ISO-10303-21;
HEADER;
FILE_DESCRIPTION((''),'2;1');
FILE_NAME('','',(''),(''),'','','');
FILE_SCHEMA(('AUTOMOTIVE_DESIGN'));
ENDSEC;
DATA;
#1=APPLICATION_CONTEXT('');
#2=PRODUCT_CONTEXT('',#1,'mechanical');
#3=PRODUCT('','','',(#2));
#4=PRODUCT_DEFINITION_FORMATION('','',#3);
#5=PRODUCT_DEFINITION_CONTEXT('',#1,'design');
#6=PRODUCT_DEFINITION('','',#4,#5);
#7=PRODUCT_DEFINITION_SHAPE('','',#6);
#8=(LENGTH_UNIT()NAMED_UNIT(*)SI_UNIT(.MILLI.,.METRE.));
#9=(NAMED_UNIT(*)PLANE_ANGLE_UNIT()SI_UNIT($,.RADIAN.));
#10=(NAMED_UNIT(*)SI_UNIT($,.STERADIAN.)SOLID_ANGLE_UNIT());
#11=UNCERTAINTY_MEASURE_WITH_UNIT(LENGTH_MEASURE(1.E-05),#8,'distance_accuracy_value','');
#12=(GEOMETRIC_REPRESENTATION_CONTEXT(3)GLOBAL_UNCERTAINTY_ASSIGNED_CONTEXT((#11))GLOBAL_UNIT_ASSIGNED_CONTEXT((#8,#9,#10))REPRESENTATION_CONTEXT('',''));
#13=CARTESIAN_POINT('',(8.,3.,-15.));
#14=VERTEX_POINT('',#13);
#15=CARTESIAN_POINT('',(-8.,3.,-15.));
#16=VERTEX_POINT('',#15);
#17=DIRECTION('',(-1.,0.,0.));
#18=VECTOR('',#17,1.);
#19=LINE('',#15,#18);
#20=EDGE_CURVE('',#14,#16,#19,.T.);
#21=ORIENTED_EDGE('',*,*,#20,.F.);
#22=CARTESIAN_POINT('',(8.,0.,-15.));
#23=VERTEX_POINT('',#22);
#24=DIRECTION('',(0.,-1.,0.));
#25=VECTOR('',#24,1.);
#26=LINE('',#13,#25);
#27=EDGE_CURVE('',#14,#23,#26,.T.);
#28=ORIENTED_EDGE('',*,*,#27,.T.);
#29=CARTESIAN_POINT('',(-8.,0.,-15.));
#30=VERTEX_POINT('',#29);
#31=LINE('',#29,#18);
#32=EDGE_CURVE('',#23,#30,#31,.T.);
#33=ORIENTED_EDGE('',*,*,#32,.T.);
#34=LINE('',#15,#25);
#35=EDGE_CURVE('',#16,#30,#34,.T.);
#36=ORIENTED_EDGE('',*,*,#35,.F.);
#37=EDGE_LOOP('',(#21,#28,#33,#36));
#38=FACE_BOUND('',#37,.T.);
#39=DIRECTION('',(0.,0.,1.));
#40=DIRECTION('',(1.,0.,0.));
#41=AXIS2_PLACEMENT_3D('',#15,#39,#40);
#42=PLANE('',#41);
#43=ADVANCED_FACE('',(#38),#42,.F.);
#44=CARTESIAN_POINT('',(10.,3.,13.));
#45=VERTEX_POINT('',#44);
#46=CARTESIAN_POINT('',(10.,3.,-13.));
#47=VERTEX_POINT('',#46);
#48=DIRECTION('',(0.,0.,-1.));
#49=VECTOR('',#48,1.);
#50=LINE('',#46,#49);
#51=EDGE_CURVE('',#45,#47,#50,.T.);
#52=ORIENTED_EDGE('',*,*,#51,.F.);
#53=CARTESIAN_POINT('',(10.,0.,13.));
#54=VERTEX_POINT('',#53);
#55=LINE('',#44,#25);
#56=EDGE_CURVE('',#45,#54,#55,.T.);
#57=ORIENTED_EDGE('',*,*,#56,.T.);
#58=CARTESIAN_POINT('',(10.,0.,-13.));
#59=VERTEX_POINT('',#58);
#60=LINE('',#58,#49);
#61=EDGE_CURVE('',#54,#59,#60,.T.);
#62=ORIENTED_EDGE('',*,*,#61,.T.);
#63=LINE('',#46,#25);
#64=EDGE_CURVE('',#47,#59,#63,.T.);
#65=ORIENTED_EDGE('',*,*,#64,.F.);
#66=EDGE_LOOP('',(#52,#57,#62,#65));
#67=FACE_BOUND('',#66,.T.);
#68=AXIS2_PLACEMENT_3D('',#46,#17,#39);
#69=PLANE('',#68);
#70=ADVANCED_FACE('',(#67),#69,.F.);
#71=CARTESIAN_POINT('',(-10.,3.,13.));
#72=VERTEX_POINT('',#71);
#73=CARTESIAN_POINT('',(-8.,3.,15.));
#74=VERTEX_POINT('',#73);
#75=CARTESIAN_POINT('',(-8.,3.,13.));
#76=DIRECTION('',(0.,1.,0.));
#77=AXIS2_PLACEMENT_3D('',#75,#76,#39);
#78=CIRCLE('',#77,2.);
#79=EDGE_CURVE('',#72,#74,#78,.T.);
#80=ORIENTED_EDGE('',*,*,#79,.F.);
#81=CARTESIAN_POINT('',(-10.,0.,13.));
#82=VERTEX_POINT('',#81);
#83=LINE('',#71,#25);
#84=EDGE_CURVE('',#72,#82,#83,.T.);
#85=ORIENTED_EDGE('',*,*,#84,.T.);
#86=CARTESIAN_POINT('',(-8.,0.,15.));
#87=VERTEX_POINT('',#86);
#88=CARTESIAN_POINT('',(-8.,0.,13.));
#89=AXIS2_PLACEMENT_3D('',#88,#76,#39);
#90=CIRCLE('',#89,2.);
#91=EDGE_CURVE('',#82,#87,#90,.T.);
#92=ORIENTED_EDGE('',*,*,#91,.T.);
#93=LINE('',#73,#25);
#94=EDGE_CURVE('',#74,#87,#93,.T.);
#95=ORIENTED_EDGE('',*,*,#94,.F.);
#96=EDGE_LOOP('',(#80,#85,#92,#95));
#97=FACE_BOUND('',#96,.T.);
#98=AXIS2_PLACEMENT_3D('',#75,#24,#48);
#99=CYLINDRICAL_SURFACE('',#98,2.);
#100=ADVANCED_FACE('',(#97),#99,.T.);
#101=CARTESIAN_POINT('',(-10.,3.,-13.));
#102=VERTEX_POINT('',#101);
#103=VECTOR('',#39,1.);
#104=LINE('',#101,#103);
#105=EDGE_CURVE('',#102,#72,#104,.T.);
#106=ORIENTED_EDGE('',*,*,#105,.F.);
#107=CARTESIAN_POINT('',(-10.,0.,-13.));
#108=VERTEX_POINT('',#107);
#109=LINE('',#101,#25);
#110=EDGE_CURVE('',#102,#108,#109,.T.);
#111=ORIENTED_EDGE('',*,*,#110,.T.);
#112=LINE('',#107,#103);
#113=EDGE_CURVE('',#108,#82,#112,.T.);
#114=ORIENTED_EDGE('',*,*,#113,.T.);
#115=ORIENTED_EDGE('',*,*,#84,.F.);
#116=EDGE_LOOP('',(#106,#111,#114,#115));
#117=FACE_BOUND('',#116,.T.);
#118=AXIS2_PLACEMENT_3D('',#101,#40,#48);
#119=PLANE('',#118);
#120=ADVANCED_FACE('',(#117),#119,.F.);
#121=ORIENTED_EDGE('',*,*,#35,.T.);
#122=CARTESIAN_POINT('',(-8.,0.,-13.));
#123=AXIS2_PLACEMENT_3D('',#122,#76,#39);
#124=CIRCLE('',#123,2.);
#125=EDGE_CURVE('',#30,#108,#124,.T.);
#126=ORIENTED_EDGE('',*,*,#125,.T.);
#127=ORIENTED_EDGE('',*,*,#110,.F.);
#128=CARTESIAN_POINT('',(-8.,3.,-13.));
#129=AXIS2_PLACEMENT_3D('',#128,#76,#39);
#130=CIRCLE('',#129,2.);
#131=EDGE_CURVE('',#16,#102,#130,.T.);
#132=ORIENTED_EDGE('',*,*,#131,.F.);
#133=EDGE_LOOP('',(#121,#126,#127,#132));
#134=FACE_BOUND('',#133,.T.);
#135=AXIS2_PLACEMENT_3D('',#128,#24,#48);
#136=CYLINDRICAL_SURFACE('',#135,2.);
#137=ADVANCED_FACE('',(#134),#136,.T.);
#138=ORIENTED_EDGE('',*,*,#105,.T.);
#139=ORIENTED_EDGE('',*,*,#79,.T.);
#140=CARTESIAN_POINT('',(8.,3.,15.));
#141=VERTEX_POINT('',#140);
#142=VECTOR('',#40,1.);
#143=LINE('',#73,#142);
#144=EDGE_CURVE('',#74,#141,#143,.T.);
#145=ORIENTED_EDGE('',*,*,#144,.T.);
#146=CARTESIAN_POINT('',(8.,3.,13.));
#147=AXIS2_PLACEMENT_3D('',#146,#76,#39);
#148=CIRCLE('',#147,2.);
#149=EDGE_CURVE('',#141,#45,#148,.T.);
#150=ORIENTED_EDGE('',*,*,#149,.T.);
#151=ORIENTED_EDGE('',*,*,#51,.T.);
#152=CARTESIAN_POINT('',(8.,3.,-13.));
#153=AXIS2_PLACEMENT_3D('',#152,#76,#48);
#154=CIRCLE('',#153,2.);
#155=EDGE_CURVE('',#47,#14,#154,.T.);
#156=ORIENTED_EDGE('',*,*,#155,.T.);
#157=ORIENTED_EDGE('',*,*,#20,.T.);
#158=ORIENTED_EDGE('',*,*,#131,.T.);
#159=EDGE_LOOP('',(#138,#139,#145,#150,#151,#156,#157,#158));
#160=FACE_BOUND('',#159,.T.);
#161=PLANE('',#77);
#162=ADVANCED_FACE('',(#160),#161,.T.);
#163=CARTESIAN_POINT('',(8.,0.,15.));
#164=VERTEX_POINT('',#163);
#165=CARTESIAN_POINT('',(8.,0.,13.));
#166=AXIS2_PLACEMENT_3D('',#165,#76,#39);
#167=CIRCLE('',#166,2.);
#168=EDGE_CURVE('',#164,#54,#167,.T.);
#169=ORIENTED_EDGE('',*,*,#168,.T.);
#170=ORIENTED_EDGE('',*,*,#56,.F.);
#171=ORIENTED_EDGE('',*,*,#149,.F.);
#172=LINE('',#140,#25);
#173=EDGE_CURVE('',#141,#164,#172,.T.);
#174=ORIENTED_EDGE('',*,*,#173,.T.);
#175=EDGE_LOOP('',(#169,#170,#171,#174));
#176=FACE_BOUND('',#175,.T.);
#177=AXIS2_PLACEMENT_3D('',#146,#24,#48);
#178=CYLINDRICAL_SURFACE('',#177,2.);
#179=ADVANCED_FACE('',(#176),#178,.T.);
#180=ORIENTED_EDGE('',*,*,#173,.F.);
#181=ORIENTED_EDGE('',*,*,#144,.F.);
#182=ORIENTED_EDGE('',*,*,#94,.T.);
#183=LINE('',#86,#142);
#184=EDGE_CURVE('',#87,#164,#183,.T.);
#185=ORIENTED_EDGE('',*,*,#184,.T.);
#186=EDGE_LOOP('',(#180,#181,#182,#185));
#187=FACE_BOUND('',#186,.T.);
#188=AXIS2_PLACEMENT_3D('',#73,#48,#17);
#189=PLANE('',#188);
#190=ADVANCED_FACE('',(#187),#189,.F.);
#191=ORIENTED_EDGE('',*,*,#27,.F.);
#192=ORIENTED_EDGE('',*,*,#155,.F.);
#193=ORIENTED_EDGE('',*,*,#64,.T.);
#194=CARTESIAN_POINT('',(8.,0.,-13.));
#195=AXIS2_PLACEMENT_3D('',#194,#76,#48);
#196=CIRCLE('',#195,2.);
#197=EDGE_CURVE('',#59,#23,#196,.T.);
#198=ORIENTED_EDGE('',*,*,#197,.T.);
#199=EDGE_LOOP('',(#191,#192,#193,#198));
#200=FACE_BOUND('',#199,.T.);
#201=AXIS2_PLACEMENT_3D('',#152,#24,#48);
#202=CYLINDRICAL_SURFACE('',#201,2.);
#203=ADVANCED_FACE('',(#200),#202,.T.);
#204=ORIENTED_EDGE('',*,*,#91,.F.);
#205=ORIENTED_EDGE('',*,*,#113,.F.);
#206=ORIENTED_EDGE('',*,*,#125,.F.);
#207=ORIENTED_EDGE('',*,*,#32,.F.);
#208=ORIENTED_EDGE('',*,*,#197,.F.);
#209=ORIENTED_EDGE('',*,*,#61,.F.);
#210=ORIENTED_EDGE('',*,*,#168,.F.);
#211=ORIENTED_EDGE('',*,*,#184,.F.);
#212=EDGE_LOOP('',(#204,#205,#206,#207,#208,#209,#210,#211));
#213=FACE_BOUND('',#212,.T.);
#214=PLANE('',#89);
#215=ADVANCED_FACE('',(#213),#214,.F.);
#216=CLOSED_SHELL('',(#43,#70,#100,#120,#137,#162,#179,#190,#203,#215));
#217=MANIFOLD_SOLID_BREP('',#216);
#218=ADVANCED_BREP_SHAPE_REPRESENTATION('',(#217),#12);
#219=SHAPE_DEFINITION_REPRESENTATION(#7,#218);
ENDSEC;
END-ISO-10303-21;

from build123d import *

# Parameters (mm, degrees)
BOSS_EXTRUDE1_DEPTH = 3


with BuildPart() as part:
    # Sketch1 → Boss-Extrude1 (new body)
    with BuildSketch(Plane(origin=(0, 0, 0), x_dir=(1, 0, 0), z_dir=(0, 1, 0))):
        with BuildLine():
            Line((-8, 15), (8, 15))
            ThreePointArc((8, 15), (9.414213562, 14.414213562), (10, 13))
            Line((10, 13), (10, -13))
            ThreePointArc((10, -13), (9.414213562, -14.414213562), (8, -15))
            Line((8, -15), (-8, -15))
            ThreePointArc((-8, -15), (-9.414213562, -14.414213562), (-10, -13))
            Line((-10, -13), (-10, 13))
            ThreePointArc((-10, 13), (-9.414213562, 14.414213562), (-8, 15))
        make_face()
    extrude(amount=BOSS_EXTRUDE1_DEPTH)


solid = part.part
